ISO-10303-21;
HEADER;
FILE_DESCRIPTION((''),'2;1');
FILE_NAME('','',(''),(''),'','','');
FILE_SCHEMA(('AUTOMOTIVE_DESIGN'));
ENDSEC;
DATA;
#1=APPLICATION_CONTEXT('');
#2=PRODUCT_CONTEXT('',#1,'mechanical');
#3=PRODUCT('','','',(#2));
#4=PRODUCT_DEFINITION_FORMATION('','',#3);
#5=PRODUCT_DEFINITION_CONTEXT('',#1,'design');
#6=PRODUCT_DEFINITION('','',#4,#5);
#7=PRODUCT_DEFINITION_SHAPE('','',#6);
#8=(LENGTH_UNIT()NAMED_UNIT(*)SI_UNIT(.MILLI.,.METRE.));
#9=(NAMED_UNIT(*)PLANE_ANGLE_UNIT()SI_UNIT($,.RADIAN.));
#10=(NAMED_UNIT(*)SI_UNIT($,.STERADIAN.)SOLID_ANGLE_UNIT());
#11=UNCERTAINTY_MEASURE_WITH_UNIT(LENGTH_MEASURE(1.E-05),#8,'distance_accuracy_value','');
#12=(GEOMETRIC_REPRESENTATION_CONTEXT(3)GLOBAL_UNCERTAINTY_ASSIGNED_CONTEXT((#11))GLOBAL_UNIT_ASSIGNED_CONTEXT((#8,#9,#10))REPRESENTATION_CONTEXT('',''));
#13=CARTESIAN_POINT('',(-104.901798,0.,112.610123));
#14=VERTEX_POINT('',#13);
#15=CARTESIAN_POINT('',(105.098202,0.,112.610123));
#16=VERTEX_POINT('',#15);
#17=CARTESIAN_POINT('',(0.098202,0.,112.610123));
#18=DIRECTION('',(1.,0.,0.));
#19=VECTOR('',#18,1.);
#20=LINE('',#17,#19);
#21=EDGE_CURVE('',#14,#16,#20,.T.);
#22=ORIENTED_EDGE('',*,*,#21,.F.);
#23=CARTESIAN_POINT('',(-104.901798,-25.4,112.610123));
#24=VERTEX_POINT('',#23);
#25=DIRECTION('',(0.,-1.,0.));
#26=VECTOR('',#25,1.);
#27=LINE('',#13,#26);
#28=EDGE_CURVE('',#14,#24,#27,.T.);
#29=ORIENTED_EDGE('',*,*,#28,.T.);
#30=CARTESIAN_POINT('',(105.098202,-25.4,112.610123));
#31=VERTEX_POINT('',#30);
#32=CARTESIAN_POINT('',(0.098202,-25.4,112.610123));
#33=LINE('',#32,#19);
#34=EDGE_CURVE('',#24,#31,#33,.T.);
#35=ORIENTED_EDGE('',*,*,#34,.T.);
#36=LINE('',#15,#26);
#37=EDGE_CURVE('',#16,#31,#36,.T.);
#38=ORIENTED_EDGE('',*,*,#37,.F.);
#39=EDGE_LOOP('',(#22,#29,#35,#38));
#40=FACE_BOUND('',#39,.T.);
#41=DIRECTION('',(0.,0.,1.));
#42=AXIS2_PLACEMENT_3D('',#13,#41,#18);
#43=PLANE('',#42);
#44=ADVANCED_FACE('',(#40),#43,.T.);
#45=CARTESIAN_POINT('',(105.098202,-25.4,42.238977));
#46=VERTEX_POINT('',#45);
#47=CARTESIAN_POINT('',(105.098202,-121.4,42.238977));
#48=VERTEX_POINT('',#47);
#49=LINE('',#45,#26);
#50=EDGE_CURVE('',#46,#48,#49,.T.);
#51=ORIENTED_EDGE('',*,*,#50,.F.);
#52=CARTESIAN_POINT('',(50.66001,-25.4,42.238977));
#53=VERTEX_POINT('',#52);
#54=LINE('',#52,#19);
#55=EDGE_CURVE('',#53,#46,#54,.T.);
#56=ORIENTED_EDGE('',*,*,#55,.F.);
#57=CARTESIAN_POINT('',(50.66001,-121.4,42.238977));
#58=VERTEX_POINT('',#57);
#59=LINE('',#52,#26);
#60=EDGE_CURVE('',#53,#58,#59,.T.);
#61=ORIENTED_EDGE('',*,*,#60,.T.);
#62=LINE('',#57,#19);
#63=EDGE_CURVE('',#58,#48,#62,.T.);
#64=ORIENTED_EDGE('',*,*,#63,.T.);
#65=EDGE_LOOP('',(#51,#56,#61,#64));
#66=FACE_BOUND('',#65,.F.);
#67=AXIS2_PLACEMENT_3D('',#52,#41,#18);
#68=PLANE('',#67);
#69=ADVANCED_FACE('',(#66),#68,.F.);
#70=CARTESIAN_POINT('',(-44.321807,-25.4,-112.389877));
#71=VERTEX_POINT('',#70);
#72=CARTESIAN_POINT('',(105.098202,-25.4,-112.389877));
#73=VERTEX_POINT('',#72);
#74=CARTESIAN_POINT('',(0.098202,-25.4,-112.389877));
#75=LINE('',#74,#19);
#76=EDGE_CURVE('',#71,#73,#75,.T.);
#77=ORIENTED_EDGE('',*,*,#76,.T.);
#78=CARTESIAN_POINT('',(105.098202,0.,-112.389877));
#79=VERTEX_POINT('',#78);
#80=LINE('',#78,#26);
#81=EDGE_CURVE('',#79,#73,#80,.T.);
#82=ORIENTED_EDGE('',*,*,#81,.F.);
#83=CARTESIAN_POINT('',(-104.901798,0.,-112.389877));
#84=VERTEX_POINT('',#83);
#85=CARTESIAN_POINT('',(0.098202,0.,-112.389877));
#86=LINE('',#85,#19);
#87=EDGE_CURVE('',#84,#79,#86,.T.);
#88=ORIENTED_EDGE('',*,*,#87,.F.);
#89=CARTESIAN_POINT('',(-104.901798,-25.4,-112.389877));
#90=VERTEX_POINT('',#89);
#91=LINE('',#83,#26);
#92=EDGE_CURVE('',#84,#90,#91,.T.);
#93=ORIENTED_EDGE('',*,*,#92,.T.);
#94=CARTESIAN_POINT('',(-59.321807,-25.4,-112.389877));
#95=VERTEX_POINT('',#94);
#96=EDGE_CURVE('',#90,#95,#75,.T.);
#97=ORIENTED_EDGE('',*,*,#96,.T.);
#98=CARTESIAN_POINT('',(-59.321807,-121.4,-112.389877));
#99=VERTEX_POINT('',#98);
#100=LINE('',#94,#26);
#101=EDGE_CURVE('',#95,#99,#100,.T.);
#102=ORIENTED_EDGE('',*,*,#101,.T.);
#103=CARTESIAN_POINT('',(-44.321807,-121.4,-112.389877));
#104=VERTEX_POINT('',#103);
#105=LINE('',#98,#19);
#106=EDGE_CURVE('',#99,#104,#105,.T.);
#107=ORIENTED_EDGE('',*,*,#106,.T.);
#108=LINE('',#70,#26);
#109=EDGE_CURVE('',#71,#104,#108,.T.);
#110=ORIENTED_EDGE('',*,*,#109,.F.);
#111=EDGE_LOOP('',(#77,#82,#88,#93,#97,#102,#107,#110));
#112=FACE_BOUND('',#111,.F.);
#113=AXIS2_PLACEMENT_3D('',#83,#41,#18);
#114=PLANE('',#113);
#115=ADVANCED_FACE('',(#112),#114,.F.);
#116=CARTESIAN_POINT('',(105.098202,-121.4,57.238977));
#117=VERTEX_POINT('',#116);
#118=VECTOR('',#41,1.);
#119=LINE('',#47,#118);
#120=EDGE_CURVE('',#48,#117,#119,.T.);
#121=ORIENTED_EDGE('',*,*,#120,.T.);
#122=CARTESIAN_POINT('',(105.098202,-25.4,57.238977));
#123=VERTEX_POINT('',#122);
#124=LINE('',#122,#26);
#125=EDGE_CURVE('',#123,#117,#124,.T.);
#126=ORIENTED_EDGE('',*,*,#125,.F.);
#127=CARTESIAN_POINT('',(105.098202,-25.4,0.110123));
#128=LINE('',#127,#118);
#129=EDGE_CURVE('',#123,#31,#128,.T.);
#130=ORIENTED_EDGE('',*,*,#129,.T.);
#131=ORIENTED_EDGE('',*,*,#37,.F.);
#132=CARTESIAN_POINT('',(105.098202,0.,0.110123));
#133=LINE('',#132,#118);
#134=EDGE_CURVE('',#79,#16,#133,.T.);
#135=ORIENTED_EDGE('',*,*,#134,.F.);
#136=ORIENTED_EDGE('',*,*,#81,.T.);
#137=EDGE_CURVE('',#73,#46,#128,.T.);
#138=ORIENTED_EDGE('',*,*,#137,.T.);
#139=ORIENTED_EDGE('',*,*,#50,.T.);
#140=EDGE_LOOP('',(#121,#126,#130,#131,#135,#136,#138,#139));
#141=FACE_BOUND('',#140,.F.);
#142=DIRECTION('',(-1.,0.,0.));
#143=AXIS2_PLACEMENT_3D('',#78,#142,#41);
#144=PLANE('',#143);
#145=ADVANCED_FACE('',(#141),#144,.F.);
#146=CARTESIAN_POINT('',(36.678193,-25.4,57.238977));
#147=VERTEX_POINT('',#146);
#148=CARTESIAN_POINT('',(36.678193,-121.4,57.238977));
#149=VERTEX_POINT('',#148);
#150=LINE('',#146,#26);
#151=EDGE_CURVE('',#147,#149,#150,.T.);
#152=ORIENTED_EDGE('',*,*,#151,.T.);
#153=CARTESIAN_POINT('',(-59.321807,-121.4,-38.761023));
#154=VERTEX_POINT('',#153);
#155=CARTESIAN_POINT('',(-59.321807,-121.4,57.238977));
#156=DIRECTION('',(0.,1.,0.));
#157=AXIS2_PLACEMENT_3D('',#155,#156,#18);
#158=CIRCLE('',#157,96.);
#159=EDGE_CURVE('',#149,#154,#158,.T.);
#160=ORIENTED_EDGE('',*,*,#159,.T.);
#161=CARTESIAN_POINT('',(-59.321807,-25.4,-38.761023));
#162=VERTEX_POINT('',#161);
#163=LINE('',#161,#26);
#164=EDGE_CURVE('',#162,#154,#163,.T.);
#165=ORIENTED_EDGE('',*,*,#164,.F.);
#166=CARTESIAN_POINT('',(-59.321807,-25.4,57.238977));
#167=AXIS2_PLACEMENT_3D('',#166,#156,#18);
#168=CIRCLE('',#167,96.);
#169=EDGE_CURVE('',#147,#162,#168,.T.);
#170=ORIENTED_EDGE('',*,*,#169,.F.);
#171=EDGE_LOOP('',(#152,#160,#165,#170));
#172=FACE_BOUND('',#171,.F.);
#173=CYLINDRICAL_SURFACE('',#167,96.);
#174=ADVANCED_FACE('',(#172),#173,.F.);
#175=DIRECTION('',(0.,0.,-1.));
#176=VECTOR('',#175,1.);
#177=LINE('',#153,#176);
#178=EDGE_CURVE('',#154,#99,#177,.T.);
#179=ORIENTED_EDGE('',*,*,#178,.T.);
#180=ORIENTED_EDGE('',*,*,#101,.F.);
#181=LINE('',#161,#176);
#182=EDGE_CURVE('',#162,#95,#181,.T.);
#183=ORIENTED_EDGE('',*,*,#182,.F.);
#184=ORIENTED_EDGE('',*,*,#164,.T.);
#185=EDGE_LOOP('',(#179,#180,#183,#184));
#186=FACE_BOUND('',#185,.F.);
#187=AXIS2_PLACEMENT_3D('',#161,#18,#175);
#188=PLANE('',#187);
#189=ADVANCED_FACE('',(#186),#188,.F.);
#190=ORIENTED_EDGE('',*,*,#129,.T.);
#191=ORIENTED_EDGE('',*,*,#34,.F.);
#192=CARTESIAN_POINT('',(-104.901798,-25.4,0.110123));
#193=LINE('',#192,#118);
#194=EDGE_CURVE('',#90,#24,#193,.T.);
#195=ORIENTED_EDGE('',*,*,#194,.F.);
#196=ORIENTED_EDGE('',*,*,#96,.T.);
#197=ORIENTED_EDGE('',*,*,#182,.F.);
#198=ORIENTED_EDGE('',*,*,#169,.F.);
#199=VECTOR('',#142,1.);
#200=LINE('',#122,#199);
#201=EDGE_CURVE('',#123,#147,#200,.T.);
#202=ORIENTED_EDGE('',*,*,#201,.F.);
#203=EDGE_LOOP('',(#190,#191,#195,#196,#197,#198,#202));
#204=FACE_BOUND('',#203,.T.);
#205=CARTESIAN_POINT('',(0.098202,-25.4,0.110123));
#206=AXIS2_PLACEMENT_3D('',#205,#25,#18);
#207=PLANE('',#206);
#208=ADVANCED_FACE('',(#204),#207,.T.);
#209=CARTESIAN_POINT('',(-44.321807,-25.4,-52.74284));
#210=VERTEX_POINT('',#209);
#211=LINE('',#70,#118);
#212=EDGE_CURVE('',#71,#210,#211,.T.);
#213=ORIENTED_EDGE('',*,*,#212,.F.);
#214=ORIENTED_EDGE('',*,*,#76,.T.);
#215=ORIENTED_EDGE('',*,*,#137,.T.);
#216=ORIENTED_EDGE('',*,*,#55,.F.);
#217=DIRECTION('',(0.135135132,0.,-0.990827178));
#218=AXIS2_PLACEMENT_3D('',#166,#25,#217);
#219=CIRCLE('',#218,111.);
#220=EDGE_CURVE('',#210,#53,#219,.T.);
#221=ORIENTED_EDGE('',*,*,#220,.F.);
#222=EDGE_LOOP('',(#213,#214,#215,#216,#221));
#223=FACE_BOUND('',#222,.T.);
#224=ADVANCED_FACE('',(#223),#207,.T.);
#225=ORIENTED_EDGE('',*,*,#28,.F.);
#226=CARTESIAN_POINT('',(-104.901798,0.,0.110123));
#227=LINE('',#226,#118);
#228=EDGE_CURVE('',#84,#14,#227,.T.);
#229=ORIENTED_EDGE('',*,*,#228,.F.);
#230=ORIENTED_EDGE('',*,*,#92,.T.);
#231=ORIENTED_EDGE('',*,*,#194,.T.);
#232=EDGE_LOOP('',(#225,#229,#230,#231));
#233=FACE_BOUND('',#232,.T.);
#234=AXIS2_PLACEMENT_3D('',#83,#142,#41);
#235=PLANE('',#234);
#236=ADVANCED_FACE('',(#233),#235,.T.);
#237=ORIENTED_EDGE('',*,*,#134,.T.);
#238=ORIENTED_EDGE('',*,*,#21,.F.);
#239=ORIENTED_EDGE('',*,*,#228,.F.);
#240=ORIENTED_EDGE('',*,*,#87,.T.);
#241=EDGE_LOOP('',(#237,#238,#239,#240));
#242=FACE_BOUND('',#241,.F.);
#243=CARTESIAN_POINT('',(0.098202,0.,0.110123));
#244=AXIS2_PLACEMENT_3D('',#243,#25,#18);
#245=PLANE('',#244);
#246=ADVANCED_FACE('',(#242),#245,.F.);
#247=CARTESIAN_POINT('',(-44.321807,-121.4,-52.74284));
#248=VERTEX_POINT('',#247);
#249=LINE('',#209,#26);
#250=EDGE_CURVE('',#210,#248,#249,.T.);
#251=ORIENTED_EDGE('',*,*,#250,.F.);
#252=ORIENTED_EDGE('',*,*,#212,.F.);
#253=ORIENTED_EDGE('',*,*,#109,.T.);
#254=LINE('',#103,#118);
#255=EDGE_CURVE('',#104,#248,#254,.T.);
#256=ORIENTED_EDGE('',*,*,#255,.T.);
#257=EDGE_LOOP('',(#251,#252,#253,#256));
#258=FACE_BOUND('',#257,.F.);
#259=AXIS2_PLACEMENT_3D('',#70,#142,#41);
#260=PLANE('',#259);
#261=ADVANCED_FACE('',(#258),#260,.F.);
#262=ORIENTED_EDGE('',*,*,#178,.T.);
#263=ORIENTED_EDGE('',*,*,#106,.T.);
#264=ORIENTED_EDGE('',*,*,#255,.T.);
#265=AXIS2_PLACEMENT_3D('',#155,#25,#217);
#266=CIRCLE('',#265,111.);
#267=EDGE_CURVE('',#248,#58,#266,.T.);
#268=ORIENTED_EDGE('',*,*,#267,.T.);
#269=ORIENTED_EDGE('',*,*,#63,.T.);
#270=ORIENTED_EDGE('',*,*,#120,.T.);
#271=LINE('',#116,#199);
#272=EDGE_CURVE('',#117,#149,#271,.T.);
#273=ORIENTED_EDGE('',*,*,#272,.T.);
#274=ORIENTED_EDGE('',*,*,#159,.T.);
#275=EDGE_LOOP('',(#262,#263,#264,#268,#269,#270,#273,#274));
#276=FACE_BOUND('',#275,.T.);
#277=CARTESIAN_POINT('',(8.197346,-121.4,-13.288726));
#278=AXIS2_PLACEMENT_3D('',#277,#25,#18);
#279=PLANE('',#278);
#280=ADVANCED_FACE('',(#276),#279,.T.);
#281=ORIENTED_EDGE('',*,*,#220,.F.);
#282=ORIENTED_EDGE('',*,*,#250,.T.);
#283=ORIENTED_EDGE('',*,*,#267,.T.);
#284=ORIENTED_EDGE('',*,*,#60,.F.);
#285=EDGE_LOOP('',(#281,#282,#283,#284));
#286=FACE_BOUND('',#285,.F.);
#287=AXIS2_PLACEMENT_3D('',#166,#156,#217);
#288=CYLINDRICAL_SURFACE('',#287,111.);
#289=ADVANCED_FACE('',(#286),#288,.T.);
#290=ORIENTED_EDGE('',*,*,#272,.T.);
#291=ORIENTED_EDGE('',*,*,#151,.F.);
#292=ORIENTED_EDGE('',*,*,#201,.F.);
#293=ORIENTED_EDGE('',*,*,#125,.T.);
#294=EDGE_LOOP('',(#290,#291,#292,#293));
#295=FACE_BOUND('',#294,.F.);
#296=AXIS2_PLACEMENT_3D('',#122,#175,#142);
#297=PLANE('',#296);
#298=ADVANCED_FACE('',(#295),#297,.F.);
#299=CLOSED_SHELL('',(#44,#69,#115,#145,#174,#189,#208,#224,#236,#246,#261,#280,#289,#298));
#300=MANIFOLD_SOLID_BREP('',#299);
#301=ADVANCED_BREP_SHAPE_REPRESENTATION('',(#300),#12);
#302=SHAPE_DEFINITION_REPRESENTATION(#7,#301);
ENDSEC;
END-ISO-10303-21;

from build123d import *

# Parameters (mm, degrees)
F0_W     = 210
F0_H     = 225
F1_DEPTH = 25.4
F4_DEPTH = 96


with BuildPart() as f1:
    # F0 (on Front) → F1 (new body)
    with BuildSketch(Plane.XZ):
        with Locations((-25.301798, 8.873123)):
            Rectangle(F0_W, F0_H)
    extrude(amount=F1_DEPTH)


with BuildPart() as f1_1:
    # F2: moved
    add(f1.part.moved(Location((25.4, 0, -8.763))))

    # F3 (on face) → F4 (join)
    with BuildSketch(Plane.XZ.offset(25.4)):
        with BuildLine():
            Line((-59.321807, -38.761023), (-59.321807, -112.389877))
            Line((-59.321807, -112.389877), (-44.321807, -112.389877))
            Line((-44.321807, -112.389877), (-44.321807, -52.74284))
            ThreePointArc((-44.321807, -52.74284), (19.167046, -21.249876), (50.66001, 42.238977))
            Line((50.66001, 42.238977), (105.098202, 42.238977))
            Line((105.098202, 42.238977), (105.098202, 57.238977))
            Line((105.098202, 57.238977), (36.678193, 57.238977))
            ThreePointArc((36.678193, 57.238977), (8.560444, -10.643274), (-59.321807, -38.761023))
        make_face()
    extrude(amount=F4_DEPTH)


solid = f1_1.part
